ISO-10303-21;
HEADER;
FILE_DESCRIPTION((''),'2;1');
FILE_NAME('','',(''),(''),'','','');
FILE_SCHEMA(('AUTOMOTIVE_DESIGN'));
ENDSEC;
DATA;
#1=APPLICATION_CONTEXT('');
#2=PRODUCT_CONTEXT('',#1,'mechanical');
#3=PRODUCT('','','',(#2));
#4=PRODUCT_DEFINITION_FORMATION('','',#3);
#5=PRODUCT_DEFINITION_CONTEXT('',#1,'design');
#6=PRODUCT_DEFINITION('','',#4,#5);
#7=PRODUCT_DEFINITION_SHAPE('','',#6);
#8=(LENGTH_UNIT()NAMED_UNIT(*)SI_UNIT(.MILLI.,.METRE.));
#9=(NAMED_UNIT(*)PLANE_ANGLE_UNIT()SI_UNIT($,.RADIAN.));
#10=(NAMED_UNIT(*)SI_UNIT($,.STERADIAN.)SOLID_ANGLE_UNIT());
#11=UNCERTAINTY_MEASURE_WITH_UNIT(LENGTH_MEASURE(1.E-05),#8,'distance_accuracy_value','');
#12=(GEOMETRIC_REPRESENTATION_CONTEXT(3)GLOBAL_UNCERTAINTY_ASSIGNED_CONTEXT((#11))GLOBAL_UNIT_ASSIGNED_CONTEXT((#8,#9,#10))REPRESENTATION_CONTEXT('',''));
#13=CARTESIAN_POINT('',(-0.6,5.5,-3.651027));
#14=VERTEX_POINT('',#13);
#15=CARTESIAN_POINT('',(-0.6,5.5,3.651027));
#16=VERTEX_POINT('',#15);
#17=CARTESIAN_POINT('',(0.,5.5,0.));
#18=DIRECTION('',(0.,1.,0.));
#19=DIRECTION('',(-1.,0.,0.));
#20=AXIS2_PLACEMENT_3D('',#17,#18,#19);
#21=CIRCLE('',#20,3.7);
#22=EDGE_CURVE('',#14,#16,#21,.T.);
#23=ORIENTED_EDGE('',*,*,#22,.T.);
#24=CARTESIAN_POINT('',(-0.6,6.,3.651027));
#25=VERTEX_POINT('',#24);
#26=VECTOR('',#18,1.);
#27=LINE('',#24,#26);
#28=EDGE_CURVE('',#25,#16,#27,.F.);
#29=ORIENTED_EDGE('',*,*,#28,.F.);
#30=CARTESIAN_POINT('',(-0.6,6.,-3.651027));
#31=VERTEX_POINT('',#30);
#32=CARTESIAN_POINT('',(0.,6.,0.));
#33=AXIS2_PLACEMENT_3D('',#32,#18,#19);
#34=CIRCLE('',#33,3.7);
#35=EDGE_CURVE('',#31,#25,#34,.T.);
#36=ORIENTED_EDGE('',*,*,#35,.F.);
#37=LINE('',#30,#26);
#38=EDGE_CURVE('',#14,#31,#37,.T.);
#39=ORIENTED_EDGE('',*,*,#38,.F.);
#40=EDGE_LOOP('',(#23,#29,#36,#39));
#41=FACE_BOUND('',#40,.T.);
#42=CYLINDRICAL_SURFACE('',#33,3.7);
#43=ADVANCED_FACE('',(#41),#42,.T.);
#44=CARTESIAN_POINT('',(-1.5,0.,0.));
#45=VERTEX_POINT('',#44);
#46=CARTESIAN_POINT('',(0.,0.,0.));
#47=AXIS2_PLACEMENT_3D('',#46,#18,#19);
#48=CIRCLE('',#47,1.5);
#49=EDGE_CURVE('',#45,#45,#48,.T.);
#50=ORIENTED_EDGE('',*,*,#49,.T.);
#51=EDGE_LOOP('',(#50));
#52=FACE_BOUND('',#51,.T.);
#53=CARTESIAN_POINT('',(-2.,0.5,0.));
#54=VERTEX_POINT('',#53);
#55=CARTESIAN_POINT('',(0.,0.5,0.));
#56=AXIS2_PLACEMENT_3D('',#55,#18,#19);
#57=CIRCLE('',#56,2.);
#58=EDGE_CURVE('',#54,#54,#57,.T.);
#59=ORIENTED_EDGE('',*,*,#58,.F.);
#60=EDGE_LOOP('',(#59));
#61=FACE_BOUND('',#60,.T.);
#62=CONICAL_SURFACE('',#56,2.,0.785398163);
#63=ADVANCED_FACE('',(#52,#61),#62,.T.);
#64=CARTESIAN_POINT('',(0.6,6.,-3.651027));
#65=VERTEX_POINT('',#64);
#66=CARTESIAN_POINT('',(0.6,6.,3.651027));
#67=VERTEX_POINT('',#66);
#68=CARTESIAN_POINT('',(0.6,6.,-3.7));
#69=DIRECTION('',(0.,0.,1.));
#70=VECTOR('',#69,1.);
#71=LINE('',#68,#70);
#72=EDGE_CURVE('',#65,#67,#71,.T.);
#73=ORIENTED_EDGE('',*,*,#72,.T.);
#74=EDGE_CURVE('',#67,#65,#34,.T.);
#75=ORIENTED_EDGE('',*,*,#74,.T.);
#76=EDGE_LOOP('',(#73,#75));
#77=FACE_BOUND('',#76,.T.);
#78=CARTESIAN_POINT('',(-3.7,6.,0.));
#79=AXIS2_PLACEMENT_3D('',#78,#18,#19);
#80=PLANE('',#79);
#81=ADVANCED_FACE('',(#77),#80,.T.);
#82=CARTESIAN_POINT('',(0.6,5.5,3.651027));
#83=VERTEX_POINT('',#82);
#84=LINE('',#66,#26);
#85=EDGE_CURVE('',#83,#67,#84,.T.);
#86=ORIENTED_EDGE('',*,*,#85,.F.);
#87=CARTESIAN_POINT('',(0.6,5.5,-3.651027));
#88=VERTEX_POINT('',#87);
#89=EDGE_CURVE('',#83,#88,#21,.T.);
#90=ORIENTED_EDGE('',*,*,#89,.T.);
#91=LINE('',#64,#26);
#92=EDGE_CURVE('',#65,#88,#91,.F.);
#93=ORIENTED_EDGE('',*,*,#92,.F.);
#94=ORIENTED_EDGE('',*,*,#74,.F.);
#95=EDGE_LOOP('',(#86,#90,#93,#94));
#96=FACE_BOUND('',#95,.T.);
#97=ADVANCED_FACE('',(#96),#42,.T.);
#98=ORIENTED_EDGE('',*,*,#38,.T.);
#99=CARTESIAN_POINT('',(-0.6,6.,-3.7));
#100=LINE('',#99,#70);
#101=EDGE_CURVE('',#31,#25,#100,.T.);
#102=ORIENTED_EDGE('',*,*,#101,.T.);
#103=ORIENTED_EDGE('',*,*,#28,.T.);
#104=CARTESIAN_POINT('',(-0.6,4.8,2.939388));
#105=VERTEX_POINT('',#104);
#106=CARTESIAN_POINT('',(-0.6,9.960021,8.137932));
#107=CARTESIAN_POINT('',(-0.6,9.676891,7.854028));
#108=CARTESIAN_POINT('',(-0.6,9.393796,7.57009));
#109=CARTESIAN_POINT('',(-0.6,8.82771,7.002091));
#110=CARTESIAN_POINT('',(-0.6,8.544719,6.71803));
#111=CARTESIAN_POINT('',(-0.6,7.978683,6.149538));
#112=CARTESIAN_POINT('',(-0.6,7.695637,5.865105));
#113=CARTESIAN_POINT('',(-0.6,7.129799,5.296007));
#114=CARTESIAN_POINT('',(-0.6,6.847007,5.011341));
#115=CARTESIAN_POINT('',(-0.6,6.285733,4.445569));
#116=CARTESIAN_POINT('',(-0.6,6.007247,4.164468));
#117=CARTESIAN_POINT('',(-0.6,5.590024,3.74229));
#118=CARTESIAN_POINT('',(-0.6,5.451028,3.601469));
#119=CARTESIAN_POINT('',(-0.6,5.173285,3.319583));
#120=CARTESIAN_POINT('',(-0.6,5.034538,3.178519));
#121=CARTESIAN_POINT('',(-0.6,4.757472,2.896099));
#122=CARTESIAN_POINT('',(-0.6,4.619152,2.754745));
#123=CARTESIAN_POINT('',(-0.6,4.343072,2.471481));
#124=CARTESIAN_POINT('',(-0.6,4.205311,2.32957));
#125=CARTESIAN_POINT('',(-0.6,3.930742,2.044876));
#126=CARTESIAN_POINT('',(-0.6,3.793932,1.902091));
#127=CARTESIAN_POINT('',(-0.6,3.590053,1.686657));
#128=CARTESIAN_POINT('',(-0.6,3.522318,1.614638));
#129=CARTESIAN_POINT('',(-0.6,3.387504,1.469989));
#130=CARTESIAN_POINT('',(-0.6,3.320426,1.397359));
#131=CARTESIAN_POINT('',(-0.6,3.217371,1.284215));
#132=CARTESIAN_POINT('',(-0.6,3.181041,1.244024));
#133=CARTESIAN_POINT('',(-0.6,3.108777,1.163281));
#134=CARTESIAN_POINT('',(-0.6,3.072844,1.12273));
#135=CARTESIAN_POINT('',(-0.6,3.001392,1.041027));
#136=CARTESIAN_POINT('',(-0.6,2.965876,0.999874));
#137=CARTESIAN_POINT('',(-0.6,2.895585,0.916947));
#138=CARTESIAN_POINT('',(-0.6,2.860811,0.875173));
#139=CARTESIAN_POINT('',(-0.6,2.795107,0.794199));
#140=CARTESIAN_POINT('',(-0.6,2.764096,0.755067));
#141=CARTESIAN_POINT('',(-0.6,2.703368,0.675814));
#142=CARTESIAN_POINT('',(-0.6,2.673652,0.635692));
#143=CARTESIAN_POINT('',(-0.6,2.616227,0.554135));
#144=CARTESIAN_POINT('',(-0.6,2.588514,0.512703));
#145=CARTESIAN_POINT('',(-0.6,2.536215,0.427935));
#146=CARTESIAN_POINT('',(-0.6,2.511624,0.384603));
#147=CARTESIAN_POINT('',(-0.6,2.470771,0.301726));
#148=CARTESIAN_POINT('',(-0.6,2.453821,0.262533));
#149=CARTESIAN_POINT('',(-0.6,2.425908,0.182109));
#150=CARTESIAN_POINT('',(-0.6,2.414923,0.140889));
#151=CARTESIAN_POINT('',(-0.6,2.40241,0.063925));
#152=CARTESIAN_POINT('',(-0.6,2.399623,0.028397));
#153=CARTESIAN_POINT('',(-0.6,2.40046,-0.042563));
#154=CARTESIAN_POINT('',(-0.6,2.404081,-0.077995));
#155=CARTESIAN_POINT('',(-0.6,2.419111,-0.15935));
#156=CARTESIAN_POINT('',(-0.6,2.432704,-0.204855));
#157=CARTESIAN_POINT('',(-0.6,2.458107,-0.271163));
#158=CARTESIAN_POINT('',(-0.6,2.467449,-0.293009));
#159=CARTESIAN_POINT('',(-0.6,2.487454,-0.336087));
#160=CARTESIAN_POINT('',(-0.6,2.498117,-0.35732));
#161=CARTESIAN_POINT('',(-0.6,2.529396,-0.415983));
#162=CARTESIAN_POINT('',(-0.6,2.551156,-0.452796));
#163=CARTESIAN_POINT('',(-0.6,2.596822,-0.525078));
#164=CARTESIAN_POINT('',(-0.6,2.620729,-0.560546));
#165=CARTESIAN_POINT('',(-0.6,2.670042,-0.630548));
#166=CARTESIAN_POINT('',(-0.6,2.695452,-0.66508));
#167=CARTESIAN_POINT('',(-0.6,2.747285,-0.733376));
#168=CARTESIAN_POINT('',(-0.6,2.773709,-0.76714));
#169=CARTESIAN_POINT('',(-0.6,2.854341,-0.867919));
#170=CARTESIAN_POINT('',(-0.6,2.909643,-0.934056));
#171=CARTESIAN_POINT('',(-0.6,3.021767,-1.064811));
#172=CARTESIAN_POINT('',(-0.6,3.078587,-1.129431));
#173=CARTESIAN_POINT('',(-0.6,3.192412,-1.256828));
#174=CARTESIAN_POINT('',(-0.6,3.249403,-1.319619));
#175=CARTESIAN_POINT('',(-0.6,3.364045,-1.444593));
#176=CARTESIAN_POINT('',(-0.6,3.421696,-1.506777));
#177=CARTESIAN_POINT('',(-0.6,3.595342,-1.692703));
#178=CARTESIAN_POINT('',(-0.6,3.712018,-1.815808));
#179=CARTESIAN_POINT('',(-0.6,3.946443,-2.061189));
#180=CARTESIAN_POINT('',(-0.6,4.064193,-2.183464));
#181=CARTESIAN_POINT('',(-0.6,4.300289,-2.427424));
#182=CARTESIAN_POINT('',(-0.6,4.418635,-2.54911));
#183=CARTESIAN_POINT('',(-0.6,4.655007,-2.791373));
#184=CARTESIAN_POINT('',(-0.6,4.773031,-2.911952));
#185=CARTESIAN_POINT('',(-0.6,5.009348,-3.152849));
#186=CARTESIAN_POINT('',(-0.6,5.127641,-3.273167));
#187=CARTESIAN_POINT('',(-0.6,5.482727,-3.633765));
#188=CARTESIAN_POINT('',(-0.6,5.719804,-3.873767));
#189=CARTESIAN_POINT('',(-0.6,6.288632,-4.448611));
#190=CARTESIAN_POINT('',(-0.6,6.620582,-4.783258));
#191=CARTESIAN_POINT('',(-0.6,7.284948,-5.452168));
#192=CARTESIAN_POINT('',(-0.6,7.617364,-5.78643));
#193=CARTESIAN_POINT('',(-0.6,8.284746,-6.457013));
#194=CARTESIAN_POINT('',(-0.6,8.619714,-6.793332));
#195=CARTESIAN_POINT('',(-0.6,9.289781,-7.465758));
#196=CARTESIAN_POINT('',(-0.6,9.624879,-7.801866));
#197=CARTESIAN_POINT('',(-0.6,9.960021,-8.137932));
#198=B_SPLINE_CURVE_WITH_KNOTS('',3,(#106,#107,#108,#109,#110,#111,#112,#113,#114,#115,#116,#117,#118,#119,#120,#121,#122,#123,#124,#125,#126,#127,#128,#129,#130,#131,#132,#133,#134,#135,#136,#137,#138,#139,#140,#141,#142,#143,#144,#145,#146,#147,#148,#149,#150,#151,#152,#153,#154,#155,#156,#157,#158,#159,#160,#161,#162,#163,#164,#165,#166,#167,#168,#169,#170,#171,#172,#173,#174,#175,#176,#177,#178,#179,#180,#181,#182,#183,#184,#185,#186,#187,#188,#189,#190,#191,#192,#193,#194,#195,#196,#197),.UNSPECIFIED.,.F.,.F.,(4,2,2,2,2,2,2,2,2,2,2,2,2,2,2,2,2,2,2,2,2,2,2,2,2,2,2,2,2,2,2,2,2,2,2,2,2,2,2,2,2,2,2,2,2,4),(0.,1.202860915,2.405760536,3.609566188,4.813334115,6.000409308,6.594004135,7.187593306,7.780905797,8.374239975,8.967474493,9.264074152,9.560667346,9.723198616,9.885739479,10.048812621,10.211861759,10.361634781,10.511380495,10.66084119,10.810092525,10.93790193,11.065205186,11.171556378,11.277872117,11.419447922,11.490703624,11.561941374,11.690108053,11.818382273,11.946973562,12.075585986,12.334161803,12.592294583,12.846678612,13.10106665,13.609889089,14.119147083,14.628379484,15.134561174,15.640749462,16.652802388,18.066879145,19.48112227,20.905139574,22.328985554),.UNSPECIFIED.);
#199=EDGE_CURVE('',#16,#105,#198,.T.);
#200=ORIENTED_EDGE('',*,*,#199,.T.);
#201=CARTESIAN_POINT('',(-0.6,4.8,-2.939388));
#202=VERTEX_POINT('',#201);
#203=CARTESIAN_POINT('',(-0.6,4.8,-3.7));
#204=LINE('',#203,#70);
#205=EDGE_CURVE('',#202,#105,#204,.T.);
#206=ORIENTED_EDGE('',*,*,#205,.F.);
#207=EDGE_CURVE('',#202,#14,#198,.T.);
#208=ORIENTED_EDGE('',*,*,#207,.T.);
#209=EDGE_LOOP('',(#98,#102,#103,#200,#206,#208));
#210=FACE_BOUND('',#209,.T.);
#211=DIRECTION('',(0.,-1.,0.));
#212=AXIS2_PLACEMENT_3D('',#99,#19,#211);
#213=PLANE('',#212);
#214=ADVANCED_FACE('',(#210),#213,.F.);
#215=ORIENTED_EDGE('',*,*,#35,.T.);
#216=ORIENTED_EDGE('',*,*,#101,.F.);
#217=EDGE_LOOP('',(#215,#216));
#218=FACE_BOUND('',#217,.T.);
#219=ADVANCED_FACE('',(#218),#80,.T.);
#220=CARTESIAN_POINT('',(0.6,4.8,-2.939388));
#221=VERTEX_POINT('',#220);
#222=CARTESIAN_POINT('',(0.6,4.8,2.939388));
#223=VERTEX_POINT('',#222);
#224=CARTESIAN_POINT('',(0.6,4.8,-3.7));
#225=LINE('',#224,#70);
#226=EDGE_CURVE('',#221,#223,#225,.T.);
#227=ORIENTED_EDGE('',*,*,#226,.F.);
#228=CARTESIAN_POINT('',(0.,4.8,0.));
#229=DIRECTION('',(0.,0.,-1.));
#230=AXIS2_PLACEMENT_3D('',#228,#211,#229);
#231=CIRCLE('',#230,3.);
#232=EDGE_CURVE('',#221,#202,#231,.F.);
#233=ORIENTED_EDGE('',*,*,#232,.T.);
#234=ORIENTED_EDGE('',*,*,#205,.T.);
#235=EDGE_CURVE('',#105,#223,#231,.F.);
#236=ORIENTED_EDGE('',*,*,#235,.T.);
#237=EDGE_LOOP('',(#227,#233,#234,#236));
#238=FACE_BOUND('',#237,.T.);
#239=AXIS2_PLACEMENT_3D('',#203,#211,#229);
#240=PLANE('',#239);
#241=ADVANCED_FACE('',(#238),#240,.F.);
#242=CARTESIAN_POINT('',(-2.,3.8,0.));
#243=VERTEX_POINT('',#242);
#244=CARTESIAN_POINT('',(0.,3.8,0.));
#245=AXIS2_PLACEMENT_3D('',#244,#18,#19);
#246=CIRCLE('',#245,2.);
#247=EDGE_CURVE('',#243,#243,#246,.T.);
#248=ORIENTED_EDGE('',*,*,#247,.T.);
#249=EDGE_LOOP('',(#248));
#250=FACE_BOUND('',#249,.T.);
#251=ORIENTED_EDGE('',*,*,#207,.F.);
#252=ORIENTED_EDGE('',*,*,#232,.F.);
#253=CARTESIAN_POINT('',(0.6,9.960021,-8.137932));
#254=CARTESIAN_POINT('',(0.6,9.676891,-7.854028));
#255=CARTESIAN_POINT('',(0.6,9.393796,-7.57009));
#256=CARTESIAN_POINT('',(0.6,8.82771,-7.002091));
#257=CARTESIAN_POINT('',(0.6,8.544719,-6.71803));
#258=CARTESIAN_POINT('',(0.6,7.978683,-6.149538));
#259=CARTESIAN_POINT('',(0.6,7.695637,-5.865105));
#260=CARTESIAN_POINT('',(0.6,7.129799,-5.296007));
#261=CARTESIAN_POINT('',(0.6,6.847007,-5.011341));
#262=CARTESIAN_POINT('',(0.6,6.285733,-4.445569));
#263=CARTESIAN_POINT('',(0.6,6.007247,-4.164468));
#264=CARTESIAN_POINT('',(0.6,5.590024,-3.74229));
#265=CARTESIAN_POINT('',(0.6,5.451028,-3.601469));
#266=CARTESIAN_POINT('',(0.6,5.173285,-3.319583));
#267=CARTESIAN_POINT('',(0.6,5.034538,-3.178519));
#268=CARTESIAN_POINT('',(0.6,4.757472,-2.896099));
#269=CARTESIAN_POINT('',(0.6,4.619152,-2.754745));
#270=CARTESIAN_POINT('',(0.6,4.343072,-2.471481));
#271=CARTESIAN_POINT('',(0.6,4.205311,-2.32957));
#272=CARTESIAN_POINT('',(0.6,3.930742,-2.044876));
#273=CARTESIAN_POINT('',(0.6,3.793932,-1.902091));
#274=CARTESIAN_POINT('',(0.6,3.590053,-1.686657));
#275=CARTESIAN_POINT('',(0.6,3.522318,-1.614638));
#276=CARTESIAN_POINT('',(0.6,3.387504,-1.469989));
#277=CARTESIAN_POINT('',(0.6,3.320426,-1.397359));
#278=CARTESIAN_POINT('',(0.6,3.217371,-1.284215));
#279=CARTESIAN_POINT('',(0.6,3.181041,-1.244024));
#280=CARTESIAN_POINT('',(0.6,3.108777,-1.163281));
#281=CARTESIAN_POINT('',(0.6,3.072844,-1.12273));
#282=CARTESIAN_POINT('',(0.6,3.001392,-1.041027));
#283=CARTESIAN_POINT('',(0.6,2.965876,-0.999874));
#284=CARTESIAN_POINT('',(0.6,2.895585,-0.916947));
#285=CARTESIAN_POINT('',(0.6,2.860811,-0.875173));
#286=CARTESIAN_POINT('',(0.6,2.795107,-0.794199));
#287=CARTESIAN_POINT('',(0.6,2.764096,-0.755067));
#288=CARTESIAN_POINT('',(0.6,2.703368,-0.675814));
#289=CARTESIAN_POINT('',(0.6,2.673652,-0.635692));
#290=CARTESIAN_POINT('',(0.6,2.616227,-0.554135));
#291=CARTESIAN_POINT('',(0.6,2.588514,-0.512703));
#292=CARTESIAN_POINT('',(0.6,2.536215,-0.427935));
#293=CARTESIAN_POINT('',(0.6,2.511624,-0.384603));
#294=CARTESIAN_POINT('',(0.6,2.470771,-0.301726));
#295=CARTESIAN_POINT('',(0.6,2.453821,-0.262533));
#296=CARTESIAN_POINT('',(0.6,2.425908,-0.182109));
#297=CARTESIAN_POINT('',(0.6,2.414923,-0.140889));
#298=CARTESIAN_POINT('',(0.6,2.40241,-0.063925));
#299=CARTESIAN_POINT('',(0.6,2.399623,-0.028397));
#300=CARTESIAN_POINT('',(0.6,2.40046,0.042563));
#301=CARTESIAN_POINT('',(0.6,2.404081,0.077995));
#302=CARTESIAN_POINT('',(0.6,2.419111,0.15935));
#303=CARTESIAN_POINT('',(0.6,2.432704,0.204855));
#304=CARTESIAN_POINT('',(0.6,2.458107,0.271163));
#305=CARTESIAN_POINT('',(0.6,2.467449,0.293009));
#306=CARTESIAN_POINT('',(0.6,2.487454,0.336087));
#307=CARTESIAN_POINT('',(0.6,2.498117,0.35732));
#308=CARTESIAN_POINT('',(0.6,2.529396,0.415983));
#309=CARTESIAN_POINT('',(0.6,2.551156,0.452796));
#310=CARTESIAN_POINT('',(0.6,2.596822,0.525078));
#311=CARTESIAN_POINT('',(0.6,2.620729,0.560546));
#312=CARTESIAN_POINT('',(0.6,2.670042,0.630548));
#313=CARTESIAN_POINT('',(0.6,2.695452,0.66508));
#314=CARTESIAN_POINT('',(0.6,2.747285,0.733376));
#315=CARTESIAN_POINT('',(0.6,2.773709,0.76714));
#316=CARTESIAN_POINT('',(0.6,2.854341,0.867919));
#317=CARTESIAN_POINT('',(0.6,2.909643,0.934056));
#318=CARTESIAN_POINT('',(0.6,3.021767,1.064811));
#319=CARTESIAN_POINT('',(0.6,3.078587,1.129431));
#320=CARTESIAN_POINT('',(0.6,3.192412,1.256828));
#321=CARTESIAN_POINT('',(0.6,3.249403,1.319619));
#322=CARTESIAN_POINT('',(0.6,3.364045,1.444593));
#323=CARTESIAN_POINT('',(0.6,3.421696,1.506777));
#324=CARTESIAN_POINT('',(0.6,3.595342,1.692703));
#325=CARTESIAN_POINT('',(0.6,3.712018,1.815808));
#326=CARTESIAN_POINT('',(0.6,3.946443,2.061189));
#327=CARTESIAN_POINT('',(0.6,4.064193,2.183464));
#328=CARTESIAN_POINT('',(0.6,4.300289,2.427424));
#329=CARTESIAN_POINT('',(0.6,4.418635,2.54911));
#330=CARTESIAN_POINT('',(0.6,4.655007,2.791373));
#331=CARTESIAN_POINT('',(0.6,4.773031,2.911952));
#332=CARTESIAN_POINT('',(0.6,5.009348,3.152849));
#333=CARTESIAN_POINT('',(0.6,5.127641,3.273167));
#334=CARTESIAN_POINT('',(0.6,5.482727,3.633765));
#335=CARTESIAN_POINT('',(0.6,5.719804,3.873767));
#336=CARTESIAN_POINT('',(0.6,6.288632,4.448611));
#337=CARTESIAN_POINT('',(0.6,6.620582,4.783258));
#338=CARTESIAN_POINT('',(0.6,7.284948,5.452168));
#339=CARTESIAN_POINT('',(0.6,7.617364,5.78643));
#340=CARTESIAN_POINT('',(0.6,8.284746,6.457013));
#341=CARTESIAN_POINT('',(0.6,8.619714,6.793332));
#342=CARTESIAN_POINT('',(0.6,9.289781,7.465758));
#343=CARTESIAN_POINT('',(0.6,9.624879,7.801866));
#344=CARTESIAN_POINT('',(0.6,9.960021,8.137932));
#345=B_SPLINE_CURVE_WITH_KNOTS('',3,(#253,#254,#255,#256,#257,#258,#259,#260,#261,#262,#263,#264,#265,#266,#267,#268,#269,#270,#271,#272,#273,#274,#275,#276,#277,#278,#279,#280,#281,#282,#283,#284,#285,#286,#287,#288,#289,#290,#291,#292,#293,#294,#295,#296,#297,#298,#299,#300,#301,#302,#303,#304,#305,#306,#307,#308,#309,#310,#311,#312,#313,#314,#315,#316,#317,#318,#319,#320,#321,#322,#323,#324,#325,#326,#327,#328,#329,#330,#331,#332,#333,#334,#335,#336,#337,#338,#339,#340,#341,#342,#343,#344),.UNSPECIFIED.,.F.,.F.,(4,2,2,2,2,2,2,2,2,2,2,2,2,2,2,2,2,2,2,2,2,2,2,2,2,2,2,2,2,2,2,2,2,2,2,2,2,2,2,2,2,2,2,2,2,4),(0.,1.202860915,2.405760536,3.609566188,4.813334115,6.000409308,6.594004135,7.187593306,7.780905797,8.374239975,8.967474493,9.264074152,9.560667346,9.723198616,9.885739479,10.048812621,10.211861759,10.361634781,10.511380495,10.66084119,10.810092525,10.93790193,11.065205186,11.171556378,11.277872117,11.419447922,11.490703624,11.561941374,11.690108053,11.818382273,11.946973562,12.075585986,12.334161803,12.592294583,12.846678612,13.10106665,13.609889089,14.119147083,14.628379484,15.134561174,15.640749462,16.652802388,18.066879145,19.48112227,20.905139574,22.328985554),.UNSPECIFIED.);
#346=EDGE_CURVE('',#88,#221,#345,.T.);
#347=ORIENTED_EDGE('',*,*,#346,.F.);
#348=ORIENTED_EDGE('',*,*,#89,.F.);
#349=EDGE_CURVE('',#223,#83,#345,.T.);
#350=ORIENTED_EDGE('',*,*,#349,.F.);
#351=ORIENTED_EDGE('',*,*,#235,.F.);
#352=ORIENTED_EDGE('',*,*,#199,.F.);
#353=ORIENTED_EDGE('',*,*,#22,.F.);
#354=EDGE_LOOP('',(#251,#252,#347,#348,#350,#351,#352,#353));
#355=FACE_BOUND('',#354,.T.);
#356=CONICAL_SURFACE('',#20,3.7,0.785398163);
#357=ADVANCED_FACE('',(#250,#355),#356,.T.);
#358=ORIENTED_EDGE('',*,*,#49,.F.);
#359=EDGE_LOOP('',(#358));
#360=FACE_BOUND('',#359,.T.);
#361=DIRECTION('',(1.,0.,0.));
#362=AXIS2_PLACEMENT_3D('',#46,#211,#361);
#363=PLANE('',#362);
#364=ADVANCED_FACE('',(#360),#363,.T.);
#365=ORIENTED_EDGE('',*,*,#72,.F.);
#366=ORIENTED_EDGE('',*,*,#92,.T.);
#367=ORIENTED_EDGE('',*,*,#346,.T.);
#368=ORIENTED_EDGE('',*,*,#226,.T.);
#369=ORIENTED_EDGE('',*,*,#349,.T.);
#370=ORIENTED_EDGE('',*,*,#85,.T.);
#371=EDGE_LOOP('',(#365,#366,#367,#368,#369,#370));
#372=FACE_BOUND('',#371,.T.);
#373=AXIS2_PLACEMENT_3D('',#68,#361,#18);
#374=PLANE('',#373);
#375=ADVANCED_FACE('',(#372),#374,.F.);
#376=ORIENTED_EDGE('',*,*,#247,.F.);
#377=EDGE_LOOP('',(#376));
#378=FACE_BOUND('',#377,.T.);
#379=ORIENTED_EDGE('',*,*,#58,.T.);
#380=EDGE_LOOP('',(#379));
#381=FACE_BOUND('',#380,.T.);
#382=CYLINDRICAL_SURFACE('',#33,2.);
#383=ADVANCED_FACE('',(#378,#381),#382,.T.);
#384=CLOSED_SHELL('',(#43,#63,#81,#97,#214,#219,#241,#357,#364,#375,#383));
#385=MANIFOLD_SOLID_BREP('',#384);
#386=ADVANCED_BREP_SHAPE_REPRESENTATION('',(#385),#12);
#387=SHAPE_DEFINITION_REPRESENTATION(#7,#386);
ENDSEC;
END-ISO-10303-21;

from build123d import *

# Parameters (mm, degrees)
CUT_EXTRUDE_1_DEPTH      = 8.961155695
CUT_EXTRUDE_1_DEPTH_BACK = 8.961155695
SKETCH_2_W               = 1.2
SKETCH_2_H               = 1.2


with BuildPart() as part:
    # Эскиз1 → Повернуть1 (revolve)
    with BuildSketch(Plane.XY):
        Polygon((0, 0), (-1.5, 0), (-2, 0.5), (-2, 3.8), (-3.7, 5.5), (-3.7, 6), (0, 6), align=None)
    revolve(axis=Axis((0, 6, 0), (0, -1, 0)))

    # Эскиз2 → Вырез-Вытянуть1 (cut, two sides: drawn at the far end of the back side and taken through both)
    with BuildSketch(Plane.XY.offset(-CUT_EXTRUDE_1_DEPTH_BACK)):
        with Locations((0, 5.4)):
            Rectangle(SKETCH_2_W, SKETCH_2_H)
    extrude(amount=CUT_EXTRUDE_1_DEPTH + CUT_EXTRUDE_1_DEPTH_BACK, mode=Mode.SUBTRACT)


solid = part.part
